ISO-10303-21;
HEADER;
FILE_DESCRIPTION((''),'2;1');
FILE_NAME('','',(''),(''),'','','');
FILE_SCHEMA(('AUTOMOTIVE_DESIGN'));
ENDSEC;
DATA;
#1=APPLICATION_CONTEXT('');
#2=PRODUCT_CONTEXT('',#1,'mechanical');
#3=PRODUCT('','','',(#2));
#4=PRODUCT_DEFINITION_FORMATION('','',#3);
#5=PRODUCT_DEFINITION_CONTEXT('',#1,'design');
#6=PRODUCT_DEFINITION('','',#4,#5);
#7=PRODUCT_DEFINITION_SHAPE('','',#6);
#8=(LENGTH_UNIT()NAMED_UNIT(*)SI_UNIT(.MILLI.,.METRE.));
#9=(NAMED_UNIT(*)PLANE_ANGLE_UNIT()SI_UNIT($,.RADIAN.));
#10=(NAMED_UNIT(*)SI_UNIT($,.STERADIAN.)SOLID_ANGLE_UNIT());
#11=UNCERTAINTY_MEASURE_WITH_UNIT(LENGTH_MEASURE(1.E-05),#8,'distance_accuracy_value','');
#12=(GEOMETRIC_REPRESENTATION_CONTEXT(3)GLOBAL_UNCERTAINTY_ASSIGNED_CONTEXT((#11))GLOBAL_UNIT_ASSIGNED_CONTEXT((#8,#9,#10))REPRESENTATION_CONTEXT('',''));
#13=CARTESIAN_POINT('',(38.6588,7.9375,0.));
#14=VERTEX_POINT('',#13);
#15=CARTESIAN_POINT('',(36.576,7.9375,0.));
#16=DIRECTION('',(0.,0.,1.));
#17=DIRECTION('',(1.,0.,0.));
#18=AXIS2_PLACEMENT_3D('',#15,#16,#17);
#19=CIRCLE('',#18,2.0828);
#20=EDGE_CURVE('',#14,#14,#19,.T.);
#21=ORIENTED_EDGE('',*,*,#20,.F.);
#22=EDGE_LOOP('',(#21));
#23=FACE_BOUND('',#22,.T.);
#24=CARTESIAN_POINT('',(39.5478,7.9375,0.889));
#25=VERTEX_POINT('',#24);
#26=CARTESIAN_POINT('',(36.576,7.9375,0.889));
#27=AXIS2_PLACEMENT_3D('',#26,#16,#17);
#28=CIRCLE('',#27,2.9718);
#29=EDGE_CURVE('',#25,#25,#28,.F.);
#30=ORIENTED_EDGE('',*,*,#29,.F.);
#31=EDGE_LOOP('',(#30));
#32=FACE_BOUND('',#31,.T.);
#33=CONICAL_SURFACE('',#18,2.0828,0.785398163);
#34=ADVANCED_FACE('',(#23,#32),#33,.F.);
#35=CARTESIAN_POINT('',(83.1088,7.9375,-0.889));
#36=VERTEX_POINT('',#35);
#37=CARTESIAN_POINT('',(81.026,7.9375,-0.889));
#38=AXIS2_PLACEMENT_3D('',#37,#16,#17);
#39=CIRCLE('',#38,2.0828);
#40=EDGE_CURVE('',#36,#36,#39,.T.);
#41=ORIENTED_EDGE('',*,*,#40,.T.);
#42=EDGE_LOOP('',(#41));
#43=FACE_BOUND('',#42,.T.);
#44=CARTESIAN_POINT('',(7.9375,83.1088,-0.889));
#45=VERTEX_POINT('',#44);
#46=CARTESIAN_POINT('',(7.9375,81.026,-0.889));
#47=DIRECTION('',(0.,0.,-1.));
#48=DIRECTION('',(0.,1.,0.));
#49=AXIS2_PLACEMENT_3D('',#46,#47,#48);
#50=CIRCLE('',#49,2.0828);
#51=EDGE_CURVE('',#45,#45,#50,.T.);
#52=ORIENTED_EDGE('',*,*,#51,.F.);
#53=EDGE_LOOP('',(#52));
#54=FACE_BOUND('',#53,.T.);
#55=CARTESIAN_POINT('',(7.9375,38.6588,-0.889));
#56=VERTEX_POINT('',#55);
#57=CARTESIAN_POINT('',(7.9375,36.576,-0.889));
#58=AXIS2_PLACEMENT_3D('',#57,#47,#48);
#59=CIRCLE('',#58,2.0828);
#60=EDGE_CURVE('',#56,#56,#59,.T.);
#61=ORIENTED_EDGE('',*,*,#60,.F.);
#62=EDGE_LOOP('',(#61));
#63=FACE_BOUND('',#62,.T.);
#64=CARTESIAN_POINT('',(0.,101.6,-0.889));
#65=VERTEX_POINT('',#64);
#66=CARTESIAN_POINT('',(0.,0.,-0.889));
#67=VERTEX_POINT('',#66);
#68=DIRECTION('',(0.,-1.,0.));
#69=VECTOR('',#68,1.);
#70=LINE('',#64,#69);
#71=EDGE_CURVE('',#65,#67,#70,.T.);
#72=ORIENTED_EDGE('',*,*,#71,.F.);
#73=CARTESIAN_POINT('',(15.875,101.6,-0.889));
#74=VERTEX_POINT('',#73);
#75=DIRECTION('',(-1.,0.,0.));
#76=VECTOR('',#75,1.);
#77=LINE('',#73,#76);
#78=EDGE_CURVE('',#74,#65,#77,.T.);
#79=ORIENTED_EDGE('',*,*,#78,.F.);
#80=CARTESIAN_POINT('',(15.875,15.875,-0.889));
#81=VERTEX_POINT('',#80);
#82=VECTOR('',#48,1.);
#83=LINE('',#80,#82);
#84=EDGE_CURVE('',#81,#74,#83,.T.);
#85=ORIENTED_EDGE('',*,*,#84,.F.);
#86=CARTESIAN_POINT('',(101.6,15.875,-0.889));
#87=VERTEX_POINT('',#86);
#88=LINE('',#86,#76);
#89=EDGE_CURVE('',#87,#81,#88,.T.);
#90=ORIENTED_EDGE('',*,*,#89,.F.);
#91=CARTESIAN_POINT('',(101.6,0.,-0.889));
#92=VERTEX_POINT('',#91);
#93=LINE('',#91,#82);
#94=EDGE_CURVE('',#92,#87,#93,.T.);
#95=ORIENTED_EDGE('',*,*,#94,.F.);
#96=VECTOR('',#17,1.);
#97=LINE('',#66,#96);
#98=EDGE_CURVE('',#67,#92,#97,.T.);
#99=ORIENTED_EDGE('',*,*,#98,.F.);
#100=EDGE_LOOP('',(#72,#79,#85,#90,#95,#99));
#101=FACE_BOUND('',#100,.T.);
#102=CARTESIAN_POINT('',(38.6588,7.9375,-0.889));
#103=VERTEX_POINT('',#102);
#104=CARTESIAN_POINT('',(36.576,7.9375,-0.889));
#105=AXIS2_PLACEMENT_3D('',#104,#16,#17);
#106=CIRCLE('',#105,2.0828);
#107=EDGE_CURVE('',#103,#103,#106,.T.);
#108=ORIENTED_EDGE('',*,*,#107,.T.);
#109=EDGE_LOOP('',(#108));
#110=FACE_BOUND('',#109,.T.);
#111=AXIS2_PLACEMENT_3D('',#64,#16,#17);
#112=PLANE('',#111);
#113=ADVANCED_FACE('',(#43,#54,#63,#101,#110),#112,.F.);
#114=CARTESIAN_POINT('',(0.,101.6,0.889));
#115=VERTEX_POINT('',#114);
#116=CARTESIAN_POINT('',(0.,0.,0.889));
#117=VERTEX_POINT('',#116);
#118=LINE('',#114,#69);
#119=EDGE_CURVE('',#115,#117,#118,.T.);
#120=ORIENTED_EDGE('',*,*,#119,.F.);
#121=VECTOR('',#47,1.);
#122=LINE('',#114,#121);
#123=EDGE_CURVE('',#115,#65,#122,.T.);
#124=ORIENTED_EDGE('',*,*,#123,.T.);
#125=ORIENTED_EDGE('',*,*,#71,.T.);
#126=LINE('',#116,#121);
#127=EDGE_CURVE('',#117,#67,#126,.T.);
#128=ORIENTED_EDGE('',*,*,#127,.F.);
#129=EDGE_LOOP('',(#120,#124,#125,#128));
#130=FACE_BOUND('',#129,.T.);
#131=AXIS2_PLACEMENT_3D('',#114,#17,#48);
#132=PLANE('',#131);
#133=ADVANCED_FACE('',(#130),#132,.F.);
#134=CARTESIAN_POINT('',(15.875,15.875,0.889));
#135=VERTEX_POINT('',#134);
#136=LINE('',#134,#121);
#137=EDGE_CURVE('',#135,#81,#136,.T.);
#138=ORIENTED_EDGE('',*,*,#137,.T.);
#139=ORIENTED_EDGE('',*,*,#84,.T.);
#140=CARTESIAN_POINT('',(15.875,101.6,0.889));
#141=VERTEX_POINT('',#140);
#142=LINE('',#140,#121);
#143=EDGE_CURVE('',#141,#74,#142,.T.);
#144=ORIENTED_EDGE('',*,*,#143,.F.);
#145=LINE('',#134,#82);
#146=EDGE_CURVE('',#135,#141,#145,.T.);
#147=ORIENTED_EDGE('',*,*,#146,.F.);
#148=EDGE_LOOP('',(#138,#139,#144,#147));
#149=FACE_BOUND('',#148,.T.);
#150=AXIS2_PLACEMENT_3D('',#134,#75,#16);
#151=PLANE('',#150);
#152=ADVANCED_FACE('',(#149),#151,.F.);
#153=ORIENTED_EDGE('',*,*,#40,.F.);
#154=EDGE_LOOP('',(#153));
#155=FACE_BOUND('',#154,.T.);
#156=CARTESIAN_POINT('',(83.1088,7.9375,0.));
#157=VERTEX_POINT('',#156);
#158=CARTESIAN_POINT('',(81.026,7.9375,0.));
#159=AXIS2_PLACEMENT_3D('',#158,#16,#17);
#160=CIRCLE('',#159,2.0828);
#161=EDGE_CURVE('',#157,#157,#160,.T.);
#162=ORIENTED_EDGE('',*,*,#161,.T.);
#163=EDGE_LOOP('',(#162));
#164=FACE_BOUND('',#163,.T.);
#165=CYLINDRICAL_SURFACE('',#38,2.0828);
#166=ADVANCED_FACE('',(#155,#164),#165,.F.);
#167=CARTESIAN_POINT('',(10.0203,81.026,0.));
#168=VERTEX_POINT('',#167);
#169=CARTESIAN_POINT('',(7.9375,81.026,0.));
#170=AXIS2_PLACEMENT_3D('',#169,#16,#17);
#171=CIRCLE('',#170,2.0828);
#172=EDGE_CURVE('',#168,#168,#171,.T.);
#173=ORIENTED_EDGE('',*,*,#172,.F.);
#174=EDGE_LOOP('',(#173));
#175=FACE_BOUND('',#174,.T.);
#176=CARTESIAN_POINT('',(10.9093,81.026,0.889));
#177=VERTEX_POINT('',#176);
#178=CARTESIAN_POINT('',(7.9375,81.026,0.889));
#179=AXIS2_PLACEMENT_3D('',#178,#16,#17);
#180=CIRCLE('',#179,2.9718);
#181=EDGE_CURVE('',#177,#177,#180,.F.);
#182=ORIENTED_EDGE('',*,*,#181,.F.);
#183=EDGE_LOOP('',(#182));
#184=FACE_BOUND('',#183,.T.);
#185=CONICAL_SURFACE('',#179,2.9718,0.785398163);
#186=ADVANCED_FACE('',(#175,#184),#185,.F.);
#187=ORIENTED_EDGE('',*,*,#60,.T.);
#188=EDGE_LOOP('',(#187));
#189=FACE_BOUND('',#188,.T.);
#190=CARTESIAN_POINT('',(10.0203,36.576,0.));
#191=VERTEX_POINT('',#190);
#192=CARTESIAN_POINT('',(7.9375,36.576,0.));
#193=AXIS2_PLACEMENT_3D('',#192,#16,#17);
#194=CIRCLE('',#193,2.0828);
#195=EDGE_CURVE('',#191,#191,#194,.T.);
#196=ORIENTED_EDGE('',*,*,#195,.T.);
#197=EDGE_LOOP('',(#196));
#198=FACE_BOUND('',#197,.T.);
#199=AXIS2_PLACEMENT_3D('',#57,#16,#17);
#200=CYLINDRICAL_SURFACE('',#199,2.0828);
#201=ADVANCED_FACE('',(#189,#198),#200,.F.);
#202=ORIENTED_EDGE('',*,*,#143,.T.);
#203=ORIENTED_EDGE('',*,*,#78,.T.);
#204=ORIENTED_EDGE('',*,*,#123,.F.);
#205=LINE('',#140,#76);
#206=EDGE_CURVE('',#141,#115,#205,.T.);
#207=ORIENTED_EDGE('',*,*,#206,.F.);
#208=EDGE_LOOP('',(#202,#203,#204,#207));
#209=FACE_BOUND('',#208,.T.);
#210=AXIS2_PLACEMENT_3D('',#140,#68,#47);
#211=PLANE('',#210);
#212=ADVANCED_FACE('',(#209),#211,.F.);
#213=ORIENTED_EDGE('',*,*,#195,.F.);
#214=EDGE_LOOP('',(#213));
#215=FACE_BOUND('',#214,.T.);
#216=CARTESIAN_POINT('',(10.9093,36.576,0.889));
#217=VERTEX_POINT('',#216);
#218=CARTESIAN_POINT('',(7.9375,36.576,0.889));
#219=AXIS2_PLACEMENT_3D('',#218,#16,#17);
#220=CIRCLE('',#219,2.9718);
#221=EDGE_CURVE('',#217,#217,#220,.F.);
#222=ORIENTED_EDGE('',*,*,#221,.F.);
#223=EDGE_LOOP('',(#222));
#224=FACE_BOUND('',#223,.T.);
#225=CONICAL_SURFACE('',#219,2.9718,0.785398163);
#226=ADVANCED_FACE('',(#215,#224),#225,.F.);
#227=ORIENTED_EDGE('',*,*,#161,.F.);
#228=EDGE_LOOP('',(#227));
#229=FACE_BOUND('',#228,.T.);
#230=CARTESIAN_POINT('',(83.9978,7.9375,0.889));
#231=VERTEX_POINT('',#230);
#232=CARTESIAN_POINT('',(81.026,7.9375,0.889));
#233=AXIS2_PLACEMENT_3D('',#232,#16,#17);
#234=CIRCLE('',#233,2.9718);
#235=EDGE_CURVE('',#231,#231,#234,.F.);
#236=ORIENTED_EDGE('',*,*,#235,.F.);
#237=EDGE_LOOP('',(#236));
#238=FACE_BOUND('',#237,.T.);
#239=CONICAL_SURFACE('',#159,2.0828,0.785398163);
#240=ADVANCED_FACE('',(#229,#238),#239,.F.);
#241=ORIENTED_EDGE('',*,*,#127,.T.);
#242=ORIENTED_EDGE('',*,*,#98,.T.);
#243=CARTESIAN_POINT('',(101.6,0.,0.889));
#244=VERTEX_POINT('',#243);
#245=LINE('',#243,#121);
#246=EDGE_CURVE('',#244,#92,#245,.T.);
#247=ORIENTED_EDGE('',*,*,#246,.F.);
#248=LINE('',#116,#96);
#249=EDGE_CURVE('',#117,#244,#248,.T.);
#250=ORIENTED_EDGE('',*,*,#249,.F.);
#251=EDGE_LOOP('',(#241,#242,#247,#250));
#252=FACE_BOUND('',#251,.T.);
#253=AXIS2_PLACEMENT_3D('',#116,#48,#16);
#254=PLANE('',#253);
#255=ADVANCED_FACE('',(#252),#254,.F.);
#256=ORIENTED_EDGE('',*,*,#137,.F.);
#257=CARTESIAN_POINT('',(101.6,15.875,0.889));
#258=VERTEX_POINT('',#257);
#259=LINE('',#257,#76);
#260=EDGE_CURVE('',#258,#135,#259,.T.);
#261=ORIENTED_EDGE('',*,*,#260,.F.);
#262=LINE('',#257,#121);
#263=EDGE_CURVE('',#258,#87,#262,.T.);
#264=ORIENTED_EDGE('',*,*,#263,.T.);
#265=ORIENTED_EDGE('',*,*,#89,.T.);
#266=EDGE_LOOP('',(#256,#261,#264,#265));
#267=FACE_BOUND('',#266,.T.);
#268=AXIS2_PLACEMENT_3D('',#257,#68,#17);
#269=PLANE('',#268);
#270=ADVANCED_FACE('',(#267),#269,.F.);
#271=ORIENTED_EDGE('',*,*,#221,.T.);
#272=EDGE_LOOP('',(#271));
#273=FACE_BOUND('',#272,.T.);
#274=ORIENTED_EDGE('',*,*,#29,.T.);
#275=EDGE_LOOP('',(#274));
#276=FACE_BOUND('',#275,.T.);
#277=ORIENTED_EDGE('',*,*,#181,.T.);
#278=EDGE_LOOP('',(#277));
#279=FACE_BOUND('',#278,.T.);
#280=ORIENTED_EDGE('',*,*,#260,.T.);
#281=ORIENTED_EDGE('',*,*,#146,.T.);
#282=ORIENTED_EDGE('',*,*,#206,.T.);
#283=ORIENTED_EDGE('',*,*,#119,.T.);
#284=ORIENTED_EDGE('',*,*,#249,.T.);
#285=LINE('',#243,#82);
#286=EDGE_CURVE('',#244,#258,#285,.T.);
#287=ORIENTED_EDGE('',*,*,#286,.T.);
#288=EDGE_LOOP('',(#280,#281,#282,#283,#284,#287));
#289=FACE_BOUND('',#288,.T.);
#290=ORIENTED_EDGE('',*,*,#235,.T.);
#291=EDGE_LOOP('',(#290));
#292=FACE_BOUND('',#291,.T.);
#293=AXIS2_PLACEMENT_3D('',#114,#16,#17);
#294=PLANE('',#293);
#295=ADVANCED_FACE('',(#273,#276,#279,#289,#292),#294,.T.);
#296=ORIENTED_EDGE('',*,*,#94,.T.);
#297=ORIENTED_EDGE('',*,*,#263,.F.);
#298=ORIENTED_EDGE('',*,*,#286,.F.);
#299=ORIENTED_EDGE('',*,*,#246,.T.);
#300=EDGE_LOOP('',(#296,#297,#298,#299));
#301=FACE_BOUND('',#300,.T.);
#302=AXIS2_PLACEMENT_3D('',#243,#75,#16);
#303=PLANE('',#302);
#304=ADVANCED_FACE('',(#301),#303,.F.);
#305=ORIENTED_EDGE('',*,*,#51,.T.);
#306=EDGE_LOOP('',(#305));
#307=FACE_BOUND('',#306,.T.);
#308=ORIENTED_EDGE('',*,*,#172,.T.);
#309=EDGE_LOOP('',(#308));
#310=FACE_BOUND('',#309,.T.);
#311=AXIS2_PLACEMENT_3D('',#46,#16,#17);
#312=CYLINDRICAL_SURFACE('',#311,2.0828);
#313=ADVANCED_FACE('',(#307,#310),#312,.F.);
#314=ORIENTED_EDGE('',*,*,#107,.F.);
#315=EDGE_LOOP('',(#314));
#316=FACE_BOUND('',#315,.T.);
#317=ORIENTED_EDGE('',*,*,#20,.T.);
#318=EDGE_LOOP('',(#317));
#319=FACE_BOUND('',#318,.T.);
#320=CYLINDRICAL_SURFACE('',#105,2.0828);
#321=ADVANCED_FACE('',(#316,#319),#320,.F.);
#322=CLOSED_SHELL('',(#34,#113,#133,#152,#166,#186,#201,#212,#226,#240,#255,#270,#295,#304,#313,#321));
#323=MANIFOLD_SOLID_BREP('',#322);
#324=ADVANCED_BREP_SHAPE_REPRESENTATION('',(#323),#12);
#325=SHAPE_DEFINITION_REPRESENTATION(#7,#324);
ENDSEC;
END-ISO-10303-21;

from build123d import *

# Parameters (mm, degrees)
EXTRUDE1_DEPTH           = 0.889
SKETCH2_R                = 2.0828
EXTRUDE2_DEPTH           = 144.686848114
CHAMFER1_SIZE            = 0.889
CHAMFER1_OF_MIRROR1_SIZE = 0.889


with BuildPart() as part:
    # Sketch1 → Extrude1 (new, symmetric)
    with BuildSketch(Plane.XY):
        Polygon((0, 101.6), (0, 0), (101.6, 0), (101.6, 15.875), (15.875, 15.875), (15.875, 101.6), align=None)
    extrude(amount=EXTRUDE1_DEPTH, both=True)

    # Sketch2 → Extrude2 (cut, symmetric)
    with BuildSketch(Plane.XY):
        with Locations((-14.224, 7.9375)):
            Circle(SKETCH2_R)
        with Locations((36.576, 7.9375)):
            Circle(SKETCH2_R)
        with Locations((81.026, 7.9375)):
            Circle(SKETCH2_R)
    extrude2 = extrude(amount=EXTRUDE2_DEPTH, both=True, mode=Mode.SUBTRACT)

    # Chamfer1
    chamfer1_edges = [part.edges().sort_by_distance(p)[0] for p in [
        (34.4932, 7.9375, 0.889),
        (78.9432, 7.9375, 0.889),
    ]]
    chamfer(chamfer1_edges, length=CHAMFER1_SIZE)

    # Mirror1: Extrude2 across plane
    add(extrude2.mirror(Plane(origin=(0, 0, 0), x_dir=(0, 0, 1), z_dir=(-0.7071067811865477, 0.7071067811865474, 0))), mode=Mode.SUBTRACT)

    # Chamfer1 of Mirror1
    chamfer1_of_mirror1_edges = [part.edges().sort_by_distance(p)[0] for p in [
        (7.9375, 34.4932, 0.889),
        (7.9375, 78.9432, 0.889),
    ]]
    chamfer(chamfer1_of_mirror1_edges, length=CHAMFER1_OF_MIRROR1_SIZE)


solid = part.part
